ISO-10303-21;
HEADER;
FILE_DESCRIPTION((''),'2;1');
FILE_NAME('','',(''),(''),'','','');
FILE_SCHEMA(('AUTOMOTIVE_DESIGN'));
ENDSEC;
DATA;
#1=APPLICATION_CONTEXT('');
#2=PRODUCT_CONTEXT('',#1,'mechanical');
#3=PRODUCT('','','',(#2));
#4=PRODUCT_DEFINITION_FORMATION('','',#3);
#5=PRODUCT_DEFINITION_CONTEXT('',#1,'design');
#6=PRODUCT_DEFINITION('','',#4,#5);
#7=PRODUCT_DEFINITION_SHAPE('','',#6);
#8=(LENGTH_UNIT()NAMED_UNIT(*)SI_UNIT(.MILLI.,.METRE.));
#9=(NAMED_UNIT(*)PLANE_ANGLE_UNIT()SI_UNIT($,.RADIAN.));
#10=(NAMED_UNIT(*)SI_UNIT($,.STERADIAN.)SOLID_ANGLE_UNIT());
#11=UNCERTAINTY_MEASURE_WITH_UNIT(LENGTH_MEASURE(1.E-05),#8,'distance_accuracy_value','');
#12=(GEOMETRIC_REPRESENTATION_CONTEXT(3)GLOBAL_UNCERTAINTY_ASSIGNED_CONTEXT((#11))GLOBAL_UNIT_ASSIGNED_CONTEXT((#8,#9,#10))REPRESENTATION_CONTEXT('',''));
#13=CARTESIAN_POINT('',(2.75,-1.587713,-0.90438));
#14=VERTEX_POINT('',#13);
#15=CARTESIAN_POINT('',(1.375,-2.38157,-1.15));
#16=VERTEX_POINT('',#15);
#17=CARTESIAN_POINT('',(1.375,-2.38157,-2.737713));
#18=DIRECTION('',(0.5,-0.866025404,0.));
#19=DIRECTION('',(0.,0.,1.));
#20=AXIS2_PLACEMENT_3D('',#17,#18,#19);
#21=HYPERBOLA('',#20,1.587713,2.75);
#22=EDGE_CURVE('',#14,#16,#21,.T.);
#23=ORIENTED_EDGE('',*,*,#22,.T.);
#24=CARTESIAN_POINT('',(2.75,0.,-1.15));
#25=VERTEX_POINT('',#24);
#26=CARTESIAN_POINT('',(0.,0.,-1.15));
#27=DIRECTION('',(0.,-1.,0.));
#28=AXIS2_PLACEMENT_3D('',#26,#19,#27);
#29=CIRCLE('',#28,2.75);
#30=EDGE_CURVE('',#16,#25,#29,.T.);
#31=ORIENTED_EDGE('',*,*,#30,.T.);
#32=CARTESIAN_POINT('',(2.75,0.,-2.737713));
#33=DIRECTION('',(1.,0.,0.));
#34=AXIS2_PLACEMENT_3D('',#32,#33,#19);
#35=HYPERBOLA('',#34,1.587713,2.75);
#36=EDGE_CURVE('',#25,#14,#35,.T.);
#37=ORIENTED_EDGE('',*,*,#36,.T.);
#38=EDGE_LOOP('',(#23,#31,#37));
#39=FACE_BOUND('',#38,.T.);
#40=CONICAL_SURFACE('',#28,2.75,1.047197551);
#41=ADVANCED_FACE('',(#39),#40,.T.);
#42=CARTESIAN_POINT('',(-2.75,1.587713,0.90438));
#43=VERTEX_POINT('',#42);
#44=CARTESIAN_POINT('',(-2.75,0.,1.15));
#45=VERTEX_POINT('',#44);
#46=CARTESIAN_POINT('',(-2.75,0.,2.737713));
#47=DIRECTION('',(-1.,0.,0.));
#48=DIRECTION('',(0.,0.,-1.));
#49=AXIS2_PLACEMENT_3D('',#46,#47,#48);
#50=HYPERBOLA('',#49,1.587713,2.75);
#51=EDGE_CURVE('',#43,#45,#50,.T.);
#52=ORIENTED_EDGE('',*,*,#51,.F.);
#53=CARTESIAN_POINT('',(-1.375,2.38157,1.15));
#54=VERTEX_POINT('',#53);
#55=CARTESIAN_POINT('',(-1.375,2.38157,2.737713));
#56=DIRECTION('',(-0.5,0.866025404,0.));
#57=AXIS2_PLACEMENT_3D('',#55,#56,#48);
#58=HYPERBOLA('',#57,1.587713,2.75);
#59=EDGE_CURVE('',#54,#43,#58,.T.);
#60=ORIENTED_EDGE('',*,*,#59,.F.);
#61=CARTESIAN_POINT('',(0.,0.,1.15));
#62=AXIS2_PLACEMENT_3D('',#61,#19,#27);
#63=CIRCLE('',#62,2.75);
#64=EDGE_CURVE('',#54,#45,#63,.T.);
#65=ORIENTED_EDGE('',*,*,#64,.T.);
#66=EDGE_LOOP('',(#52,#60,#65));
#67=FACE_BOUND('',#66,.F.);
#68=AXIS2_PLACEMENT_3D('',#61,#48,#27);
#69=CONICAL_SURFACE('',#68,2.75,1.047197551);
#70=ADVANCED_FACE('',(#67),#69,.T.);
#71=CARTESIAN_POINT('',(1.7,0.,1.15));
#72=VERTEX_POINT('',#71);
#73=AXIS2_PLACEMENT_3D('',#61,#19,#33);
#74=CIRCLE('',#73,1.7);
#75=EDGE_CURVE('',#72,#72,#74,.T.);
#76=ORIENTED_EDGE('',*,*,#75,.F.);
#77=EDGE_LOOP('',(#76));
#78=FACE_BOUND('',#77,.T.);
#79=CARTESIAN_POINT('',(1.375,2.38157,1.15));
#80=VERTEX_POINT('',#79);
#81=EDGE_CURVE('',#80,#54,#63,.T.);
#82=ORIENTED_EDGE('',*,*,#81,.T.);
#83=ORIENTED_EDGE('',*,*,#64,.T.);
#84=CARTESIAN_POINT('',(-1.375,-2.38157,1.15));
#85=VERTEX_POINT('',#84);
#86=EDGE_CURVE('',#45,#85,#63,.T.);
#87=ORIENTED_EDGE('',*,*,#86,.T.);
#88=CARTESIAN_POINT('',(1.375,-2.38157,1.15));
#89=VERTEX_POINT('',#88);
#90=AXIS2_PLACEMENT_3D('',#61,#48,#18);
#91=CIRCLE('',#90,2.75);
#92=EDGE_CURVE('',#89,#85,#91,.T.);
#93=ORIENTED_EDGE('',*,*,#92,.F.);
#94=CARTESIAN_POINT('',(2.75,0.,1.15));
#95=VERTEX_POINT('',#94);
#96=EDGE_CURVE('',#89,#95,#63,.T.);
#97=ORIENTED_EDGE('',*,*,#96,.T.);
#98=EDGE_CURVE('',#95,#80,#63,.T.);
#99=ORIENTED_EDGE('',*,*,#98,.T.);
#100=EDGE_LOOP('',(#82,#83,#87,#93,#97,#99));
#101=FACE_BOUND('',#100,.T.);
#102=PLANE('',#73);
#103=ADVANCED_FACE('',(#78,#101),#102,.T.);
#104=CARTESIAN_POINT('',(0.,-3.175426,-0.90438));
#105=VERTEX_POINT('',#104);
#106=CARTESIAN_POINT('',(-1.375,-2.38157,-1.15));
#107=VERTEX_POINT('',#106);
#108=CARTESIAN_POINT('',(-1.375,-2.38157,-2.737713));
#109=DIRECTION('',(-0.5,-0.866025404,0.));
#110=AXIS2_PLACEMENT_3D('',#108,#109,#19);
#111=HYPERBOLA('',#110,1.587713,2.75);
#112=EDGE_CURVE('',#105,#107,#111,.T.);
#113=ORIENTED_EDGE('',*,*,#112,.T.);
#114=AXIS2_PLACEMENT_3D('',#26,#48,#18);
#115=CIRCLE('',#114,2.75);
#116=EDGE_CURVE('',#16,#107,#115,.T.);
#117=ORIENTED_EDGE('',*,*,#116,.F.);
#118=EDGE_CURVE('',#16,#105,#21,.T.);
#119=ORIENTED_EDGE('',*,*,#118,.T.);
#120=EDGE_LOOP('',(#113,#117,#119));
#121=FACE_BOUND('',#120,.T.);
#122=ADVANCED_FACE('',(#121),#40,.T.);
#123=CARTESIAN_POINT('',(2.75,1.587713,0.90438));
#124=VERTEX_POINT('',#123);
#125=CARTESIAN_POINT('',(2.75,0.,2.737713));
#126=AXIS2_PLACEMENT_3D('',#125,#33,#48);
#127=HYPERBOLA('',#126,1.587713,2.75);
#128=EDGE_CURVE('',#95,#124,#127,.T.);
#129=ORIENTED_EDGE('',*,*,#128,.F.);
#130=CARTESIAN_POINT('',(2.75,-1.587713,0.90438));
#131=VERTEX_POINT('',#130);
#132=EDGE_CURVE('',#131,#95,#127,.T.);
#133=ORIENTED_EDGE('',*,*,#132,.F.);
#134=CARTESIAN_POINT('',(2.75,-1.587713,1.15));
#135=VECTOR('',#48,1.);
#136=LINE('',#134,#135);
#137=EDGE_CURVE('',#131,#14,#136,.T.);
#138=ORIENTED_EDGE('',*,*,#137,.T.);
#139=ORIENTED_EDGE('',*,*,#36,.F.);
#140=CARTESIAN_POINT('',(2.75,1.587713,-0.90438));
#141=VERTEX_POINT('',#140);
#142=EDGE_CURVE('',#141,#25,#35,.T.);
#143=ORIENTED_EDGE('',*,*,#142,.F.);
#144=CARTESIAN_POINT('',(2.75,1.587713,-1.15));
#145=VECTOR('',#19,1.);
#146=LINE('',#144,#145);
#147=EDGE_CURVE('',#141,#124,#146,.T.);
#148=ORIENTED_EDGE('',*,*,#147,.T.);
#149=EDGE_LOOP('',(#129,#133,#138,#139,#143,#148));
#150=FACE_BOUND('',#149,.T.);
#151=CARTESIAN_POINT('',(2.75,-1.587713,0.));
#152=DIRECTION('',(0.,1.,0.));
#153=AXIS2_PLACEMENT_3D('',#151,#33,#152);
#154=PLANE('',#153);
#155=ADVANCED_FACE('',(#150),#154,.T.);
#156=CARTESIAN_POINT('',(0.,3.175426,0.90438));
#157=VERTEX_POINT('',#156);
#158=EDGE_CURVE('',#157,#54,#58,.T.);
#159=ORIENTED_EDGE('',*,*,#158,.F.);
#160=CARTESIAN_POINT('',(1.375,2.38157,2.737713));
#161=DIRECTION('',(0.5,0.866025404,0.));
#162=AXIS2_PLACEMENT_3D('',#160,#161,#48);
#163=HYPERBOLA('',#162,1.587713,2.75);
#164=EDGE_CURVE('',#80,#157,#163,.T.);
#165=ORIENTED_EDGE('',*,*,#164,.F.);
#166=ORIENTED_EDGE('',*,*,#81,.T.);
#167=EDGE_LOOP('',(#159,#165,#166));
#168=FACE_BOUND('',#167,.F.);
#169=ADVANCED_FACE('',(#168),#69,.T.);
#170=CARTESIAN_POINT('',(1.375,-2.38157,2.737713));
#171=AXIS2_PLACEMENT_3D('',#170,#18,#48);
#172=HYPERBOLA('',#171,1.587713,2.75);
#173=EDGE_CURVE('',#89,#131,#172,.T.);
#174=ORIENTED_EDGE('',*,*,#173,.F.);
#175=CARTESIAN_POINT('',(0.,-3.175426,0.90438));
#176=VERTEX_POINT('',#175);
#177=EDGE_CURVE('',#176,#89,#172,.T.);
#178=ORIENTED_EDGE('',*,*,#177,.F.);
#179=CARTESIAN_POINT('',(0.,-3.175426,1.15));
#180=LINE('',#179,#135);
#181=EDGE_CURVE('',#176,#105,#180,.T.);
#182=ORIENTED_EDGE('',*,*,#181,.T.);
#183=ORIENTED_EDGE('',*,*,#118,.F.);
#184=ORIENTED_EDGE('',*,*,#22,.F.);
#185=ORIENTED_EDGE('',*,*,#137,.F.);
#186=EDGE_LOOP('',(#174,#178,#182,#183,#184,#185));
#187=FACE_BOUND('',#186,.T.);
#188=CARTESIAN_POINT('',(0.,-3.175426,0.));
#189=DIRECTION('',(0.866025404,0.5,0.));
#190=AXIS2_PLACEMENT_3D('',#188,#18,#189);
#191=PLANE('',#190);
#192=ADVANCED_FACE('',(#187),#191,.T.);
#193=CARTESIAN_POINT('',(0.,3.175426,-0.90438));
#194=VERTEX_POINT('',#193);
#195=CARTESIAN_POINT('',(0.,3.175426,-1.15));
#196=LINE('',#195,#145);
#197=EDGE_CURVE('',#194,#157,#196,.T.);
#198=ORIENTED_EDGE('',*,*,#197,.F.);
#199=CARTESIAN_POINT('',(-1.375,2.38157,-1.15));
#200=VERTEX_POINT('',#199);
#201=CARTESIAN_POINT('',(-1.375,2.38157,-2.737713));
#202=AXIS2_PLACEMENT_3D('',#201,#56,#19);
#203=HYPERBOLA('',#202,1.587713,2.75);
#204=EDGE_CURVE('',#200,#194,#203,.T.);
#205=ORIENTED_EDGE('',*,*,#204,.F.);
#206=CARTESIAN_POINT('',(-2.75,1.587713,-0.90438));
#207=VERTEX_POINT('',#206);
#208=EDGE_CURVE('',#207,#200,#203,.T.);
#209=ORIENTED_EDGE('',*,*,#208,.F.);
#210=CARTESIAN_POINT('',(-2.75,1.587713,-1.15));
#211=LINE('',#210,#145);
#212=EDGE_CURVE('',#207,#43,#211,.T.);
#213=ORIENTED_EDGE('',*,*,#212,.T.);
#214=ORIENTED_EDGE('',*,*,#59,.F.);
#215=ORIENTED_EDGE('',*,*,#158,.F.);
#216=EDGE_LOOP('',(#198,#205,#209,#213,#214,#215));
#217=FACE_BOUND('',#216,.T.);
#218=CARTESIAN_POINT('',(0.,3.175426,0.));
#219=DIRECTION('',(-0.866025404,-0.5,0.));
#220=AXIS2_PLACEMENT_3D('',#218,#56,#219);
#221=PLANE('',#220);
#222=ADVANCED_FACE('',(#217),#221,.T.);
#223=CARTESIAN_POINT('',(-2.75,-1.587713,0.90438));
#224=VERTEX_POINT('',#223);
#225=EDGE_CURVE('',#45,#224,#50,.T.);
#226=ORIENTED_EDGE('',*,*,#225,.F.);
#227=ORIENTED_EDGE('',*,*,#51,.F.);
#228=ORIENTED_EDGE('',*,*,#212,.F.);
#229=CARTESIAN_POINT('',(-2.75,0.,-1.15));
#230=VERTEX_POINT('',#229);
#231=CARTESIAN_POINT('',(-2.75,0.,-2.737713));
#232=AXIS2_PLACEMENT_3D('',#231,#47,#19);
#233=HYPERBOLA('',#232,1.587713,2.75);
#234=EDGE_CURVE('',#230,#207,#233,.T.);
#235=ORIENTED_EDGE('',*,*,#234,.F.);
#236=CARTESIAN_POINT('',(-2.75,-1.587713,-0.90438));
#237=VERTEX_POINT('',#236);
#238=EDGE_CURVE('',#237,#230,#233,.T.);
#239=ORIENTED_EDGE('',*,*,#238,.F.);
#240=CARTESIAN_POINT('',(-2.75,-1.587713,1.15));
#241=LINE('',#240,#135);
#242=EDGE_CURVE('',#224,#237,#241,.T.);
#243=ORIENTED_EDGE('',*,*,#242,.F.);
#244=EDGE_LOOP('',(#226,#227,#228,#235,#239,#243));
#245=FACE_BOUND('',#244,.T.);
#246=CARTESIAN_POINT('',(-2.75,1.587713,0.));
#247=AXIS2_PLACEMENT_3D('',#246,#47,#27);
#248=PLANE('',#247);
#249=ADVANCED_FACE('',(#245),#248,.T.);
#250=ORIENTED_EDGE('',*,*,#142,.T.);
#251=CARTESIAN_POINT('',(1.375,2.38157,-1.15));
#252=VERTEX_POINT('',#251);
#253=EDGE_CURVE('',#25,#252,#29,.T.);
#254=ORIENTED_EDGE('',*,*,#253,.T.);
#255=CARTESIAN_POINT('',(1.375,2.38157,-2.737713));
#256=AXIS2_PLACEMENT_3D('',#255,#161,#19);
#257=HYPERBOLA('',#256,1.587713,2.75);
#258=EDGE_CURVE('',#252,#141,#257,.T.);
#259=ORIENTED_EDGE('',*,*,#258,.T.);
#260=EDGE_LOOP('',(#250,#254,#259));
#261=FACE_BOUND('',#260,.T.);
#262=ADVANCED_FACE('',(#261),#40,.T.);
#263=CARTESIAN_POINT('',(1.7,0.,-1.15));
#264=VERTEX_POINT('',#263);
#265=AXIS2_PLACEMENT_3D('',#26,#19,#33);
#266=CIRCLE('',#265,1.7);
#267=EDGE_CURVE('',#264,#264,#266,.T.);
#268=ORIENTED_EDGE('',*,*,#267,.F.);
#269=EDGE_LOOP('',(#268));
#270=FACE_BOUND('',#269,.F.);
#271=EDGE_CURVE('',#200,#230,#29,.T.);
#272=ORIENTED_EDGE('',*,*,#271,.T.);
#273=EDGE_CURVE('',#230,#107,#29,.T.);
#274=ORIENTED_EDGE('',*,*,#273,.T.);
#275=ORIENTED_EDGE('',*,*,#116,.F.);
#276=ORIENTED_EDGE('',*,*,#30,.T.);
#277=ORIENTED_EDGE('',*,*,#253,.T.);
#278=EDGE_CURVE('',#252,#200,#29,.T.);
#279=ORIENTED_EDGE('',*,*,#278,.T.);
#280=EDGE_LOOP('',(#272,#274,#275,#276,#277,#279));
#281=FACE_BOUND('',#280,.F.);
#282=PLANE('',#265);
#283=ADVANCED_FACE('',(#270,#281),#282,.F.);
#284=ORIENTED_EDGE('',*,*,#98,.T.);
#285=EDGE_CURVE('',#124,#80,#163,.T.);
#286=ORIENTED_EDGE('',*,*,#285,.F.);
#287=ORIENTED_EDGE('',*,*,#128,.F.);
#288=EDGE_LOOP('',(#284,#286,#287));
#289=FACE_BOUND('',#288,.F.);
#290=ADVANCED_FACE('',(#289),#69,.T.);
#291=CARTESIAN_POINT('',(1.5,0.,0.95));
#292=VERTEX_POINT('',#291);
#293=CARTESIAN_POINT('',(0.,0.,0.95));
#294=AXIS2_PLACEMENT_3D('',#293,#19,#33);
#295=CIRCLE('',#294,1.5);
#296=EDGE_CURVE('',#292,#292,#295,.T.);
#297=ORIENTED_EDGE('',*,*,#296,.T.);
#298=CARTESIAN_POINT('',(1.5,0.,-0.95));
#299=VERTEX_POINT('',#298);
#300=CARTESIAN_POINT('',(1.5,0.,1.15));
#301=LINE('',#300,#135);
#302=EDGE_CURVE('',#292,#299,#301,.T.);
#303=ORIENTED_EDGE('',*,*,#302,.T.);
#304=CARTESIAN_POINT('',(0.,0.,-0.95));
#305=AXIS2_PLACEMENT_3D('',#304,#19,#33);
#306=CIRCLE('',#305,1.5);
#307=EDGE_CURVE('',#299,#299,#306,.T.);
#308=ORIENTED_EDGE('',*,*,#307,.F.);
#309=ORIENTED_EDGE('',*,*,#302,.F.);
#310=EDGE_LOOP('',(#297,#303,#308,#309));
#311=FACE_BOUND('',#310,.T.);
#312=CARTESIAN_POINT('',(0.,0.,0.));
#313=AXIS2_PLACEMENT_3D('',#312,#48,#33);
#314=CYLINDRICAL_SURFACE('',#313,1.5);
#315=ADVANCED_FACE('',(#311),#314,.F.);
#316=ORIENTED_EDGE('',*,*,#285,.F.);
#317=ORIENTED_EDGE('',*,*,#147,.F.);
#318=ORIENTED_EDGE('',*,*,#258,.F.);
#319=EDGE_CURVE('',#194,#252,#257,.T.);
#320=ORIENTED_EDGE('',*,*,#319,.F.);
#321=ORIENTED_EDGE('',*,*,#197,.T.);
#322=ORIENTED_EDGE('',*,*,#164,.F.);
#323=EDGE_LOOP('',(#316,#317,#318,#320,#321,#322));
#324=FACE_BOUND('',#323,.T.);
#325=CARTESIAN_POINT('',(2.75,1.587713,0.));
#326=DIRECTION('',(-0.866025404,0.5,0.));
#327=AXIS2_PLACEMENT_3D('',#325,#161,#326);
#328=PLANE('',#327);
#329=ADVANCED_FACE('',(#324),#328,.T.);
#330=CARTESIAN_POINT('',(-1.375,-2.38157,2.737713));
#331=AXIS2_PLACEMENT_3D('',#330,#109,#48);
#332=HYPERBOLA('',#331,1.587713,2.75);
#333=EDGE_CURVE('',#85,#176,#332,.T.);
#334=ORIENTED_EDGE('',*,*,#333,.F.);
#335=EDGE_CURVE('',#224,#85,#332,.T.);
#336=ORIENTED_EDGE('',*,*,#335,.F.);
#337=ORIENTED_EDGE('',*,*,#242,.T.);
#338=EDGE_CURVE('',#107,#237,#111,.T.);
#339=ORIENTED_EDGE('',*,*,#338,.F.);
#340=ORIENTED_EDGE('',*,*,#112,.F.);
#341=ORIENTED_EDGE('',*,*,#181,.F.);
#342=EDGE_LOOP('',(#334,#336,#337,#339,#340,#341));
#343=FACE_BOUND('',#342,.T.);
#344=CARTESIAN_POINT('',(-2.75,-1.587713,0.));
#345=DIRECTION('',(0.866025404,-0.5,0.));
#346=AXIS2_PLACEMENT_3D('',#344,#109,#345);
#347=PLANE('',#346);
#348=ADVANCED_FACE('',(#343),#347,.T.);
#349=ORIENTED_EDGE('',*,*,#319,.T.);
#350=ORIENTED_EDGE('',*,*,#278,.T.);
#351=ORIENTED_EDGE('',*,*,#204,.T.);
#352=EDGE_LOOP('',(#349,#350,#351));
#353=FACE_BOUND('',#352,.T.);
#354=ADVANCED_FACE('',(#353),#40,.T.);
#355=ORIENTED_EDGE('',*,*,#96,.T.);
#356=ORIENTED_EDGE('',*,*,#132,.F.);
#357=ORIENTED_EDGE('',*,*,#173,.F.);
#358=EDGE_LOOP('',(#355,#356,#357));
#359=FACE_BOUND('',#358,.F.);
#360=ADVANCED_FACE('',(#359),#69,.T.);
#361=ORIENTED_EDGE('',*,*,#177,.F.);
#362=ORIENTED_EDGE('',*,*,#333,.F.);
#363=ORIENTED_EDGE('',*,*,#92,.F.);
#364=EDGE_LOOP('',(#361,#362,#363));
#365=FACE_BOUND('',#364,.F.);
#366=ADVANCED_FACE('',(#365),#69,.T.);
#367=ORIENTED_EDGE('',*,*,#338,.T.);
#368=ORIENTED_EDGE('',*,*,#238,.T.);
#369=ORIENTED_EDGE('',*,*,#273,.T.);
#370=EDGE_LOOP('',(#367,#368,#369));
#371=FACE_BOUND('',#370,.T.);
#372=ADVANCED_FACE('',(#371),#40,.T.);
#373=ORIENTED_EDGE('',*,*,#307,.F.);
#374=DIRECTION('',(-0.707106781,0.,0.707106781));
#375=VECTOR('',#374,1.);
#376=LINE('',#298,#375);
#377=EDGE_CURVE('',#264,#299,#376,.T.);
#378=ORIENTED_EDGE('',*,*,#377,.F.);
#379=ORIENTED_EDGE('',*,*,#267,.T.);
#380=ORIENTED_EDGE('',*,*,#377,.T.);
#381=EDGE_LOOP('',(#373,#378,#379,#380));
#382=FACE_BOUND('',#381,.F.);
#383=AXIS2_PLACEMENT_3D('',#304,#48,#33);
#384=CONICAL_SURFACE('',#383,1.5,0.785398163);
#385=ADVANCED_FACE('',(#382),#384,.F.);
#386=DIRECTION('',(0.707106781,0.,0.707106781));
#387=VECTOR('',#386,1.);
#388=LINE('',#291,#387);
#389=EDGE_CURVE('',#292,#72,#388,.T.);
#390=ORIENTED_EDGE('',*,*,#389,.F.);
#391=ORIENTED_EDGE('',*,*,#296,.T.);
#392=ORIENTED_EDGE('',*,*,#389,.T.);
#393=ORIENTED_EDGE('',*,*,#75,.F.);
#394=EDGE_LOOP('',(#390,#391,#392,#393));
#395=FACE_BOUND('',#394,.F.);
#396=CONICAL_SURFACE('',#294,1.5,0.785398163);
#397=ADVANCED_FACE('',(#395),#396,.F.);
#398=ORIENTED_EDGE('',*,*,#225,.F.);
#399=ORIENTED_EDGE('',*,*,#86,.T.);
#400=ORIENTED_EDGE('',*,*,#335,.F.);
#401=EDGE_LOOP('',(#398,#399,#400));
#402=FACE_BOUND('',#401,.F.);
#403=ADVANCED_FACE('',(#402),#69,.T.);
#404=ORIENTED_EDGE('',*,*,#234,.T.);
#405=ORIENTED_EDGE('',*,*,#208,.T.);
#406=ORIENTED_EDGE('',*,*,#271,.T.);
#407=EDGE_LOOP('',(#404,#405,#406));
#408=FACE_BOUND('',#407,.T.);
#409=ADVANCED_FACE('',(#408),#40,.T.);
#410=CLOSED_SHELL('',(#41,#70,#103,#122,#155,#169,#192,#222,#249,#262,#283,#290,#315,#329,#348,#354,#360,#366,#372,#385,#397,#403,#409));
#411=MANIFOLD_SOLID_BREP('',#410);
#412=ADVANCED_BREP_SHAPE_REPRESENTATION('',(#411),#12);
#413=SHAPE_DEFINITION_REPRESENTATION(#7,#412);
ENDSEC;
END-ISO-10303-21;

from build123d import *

# Parameters (mm, degrees)
SKETCH003_R  = 1.5
PAD001_DEPTH = 1.15
CHAMFER_SIZE = 0.2


with BuildPart() as part:
    # Sketch003 → Pad001 (new body, symmetric)
    with BuildSketch(Plane.XY):
        Polygon((2.75, -1.5877132403), (2.75, 1.5877132403), (0, 3.1754264805), (-2.75, 1.5877132403), (-2.75, -1.5877132403), (0, -3.1754264805), align=None)
        Circle(SKETCH003_R, mode=Mode.SUBTRACT)
    extrude(amount=PAD001_DEPTH, both=True)

    # Sketch004 → Groove (revolve, cut)
    with BuildSketch(Plane.YZ):
        Polygon((-2.75, 1.15), (-3.5, 0.7169872981), (-3.5, 1.15), align=None)
        Polygon((-2.75, -1.15), (-3.5, -0.7169872981), (-3.5, -1.15), align=None)
    revolve(axis=Axis((0, 0, 0), (0, 0, 1)), mode=Mode.SUBTRACT)

    # Chamfer
    chamfer_edges = [part.edges().sort_by_distance(p)[0] for p in [
        (-1.5, 0, 1.15),
        (-1.5, 0, -1.15),
    ]]
    chamfer(chamfer_edges, length=CHAMFER_SIZE)


solid = part.part
